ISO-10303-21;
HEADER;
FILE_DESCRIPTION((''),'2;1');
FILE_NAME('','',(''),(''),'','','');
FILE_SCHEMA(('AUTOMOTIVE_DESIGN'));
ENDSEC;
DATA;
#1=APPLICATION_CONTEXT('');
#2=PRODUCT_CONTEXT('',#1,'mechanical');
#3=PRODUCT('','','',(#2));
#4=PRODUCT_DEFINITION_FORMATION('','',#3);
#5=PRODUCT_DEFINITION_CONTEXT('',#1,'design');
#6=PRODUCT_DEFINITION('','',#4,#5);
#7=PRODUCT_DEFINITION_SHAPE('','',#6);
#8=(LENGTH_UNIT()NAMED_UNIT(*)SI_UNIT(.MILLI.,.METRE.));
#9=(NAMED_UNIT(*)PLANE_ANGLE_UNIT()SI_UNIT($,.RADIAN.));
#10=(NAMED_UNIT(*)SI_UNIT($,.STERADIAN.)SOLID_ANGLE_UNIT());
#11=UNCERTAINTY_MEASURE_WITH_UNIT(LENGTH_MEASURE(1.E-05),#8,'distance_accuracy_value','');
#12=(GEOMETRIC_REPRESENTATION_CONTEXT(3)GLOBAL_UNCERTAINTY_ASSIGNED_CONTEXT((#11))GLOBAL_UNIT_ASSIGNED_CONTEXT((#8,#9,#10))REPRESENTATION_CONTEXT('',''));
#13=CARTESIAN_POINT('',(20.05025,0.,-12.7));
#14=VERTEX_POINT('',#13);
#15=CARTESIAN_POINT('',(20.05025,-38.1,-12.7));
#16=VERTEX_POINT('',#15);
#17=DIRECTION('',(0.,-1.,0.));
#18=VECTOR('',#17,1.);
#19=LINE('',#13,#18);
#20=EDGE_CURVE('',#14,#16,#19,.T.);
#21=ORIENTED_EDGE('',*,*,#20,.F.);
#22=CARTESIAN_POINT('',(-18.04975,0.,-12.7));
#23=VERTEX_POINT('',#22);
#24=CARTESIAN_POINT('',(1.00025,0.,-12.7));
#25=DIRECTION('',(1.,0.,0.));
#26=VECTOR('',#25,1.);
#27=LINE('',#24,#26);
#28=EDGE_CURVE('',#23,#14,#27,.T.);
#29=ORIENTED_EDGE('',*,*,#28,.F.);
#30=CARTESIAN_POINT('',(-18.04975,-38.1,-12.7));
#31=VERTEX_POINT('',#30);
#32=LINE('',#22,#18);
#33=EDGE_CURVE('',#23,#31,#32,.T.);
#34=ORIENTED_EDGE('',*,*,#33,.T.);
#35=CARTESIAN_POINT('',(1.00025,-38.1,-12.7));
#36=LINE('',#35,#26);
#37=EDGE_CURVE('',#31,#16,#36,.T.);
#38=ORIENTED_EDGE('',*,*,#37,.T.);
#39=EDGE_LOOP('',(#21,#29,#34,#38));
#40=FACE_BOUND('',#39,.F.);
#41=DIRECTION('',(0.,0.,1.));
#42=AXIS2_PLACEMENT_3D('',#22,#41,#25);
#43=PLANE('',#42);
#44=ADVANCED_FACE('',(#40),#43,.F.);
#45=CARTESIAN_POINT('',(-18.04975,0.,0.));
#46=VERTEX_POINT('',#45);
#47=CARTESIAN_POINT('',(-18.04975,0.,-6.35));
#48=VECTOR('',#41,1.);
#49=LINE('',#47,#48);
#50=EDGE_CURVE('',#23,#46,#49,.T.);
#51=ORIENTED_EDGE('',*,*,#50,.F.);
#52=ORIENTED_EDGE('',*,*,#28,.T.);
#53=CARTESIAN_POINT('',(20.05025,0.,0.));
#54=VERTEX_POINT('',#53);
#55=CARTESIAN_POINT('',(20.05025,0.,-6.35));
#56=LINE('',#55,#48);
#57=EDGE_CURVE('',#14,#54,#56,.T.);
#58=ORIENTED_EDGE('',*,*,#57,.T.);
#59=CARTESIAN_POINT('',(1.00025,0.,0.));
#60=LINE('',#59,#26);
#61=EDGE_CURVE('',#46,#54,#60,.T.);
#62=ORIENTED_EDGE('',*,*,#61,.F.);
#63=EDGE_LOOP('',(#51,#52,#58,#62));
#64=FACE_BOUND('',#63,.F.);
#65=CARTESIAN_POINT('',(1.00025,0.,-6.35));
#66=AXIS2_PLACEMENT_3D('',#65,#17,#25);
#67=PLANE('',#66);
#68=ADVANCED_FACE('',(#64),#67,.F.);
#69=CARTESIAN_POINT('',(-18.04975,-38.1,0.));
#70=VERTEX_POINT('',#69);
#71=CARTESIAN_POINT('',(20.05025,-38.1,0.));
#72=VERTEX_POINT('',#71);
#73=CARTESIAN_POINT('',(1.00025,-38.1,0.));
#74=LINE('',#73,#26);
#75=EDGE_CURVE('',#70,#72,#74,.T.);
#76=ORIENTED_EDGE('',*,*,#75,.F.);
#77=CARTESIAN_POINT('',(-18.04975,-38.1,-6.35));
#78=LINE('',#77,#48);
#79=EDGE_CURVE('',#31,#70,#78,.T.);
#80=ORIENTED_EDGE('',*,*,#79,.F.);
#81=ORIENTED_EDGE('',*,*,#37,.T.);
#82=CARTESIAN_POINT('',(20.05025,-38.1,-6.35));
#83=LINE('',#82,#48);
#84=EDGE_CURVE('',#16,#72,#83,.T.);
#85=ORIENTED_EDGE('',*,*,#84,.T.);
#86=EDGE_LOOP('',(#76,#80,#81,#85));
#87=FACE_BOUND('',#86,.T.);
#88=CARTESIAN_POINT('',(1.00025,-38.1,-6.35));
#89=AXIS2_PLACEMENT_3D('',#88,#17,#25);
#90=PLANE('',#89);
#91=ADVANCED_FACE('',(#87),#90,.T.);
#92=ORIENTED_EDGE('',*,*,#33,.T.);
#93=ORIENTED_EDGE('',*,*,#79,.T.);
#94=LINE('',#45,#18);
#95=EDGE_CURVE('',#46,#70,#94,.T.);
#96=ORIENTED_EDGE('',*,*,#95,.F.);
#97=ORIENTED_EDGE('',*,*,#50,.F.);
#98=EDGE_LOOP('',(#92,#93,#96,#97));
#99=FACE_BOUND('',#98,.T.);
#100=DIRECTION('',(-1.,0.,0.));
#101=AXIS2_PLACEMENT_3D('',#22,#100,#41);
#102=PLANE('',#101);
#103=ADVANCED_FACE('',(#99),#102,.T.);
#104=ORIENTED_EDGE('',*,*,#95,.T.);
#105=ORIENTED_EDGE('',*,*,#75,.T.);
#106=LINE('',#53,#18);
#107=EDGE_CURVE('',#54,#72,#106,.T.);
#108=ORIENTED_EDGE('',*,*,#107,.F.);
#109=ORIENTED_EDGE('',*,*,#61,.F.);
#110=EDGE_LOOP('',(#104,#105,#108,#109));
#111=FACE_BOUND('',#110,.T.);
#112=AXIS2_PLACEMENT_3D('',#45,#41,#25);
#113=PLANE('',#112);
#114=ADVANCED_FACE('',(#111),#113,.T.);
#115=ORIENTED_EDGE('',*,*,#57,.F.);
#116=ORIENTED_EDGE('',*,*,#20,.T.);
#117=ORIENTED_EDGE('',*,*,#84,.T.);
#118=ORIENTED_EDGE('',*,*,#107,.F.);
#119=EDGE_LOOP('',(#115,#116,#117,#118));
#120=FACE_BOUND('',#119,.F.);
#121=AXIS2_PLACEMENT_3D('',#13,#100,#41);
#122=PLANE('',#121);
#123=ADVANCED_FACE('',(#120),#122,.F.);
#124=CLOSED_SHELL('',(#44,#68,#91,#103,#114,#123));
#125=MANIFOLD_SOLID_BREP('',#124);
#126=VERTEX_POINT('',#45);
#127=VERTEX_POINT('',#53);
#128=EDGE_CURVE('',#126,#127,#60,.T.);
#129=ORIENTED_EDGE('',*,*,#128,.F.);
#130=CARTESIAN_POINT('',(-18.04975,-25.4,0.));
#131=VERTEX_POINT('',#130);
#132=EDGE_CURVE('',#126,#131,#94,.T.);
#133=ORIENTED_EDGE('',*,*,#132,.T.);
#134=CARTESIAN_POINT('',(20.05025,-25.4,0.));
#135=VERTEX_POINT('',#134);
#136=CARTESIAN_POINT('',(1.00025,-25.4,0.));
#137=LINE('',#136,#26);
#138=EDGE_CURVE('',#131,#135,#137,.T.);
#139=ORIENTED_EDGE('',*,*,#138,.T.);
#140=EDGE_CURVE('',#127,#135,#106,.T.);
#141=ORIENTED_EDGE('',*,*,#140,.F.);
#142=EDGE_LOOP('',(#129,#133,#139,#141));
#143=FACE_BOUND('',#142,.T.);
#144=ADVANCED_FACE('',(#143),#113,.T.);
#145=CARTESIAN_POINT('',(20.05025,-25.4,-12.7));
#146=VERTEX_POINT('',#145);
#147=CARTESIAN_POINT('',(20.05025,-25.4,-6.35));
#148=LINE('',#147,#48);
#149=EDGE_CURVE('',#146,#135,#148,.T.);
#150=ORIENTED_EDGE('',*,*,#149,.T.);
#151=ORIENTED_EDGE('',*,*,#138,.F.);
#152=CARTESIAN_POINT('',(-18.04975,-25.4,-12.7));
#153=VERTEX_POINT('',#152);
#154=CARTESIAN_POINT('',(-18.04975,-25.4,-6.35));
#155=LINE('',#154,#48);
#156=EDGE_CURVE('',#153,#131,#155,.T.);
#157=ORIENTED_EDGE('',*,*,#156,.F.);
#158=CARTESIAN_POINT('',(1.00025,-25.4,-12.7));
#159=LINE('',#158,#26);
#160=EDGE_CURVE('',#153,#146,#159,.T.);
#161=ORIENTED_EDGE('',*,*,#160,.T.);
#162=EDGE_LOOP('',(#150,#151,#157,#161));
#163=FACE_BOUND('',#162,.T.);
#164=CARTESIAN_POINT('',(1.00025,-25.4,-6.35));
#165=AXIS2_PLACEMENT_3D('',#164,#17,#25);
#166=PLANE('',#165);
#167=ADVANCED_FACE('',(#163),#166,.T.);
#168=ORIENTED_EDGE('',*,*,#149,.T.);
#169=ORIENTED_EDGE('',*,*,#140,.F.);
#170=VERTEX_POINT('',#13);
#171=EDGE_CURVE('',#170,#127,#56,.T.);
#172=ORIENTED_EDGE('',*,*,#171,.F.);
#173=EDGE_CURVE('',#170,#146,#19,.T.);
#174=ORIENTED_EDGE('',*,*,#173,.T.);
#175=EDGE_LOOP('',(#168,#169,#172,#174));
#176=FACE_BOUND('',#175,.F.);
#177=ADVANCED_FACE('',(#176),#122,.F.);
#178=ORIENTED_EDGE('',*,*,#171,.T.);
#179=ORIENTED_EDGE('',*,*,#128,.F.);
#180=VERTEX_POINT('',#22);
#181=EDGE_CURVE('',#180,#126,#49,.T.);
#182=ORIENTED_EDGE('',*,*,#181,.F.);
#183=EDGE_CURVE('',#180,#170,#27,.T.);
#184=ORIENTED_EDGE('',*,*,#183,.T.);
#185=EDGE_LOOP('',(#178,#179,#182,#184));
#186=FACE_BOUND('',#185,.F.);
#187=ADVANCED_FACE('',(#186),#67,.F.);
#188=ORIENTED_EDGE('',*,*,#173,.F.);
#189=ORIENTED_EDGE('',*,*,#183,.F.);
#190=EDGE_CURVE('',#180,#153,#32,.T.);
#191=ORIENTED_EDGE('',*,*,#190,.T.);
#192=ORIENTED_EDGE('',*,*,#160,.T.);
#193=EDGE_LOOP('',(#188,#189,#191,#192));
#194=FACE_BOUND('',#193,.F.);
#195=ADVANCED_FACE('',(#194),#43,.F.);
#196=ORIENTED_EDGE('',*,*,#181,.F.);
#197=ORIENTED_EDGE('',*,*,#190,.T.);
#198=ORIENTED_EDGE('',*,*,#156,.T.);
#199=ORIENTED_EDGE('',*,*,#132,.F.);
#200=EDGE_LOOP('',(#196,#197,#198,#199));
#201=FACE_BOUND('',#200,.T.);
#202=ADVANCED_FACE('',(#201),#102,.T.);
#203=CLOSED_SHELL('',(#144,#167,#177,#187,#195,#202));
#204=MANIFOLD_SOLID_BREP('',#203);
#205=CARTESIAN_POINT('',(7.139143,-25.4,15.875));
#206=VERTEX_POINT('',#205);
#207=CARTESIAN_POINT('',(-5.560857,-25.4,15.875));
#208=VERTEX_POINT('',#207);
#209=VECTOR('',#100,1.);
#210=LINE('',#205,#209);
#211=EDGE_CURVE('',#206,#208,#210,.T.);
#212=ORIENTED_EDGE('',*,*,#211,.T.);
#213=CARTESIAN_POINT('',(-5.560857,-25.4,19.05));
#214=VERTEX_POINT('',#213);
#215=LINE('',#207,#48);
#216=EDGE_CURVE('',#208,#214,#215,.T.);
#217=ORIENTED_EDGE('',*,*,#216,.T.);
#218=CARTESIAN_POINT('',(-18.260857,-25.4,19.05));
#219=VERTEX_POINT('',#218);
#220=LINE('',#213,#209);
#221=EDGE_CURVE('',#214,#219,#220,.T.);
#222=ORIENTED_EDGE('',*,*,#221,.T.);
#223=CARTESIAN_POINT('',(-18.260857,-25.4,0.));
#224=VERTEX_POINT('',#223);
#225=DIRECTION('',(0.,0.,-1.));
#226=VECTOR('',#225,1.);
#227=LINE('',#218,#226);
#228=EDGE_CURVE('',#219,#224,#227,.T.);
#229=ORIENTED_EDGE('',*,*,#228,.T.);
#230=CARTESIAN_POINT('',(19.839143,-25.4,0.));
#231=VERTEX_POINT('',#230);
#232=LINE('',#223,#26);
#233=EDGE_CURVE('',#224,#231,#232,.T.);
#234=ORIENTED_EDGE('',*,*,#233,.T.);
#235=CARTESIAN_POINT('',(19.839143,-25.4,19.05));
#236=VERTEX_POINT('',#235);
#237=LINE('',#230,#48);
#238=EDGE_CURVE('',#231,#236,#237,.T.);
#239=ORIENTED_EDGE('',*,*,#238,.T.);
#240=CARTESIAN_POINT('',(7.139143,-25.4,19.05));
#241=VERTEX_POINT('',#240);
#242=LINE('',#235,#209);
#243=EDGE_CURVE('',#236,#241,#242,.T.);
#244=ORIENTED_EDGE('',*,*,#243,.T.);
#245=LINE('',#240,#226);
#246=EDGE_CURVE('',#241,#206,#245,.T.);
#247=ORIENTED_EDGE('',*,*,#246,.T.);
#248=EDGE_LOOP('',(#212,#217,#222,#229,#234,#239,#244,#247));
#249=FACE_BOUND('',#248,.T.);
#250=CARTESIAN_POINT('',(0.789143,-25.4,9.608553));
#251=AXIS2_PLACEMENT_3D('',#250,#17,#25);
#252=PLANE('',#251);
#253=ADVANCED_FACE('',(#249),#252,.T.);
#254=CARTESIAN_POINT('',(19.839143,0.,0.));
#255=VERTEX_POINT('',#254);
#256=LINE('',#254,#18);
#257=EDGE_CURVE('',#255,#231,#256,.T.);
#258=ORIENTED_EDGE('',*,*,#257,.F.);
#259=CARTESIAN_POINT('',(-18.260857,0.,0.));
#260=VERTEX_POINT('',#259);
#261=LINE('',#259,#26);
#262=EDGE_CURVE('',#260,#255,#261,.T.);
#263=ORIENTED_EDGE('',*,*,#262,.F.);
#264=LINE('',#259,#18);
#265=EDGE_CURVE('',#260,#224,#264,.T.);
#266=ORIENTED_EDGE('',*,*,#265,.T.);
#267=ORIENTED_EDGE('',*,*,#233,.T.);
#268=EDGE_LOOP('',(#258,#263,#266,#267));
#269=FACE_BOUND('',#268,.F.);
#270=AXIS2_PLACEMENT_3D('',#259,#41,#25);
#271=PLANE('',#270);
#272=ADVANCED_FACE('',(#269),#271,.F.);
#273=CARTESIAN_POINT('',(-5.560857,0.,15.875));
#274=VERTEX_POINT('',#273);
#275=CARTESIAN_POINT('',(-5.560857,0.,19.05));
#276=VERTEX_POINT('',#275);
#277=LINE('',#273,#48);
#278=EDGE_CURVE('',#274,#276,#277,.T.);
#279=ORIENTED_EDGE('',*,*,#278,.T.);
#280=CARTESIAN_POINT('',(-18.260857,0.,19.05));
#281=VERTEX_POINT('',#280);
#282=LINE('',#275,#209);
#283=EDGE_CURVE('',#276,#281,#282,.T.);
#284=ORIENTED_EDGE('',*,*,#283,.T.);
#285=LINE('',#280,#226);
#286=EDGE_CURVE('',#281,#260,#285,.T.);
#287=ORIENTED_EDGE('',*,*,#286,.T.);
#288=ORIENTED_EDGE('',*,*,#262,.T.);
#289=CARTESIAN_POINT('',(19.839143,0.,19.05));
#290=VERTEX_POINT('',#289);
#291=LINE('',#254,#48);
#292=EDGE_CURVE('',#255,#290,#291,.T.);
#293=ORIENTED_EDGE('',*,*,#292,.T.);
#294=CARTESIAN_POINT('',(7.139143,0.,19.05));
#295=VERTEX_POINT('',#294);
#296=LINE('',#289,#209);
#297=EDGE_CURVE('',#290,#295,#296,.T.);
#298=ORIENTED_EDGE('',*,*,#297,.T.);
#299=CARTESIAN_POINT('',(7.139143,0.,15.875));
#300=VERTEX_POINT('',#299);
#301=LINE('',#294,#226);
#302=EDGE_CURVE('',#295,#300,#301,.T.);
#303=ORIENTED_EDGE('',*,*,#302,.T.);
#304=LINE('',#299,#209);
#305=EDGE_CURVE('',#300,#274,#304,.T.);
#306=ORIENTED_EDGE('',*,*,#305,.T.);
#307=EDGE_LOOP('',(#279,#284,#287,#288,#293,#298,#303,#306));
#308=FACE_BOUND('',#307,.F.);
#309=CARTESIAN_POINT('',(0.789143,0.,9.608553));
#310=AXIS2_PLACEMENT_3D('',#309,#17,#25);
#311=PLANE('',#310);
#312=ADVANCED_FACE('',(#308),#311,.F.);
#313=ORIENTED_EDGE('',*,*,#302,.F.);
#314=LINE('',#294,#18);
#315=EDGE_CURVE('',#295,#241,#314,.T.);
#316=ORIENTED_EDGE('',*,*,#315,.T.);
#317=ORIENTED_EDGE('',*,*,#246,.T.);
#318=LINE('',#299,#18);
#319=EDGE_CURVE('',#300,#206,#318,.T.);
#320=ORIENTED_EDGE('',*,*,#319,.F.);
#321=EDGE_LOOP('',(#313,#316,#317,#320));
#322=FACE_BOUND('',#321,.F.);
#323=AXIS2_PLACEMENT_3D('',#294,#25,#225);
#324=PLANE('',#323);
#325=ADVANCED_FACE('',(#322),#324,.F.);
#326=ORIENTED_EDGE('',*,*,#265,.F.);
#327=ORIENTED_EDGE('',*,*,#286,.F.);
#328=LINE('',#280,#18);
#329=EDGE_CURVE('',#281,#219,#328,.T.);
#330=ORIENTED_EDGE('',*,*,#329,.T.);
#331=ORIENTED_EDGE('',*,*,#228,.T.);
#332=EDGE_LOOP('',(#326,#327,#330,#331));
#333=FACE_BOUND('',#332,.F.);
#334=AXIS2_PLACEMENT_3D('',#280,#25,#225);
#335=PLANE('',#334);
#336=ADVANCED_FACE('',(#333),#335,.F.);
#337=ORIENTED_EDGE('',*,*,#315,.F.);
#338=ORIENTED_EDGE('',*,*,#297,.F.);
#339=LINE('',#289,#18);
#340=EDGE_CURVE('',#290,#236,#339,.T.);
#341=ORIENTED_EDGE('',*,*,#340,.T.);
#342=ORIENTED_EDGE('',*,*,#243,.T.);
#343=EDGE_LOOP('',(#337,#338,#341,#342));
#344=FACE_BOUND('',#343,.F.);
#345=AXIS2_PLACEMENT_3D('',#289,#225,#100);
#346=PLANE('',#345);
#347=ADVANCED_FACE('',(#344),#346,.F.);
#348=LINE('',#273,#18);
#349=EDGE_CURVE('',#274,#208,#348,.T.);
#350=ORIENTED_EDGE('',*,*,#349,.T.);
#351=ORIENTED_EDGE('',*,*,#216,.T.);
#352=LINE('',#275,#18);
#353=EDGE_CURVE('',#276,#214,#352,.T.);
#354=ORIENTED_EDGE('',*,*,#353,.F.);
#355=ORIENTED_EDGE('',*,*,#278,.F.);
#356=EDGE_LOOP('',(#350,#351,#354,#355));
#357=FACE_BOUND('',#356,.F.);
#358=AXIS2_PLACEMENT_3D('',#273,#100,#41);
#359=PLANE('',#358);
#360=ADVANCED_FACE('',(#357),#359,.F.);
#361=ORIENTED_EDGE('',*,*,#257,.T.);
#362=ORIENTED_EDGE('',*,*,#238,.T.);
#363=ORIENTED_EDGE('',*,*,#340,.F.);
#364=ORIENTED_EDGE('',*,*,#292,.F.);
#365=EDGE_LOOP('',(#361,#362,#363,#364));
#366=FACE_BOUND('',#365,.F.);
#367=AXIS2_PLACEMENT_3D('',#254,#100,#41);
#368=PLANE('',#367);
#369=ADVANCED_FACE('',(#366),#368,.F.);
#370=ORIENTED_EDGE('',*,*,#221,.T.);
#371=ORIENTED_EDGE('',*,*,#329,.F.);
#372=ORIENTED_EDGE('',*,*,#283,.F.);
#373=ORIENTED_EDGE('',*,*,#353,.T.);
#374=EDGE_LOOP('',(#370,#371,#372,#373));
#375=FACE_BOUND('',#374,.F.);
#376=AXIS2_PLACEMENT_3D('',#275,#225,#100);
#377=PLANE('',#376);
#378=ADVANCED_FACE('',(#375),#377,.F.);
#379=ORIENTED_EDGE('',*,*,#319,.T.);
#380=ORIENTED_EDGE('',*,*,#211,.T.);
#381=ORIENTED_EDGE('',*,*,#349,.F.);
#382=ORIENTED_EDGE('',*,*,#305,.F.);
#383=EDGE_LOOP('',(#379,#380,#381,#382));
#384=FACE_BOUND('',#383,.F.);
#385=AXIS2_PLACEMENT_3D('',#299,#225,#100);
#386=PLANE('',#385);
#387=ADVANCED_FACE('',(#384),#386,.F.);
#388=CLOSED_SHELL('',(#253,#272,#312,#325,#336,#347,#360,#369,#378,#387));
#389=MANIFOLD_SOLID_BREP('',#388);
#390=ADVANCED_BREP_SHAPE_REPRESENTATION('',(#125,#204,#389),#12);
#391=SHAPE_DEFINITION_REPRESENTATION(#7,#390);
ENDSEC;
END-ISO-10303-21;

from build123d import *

# Parameters (mm, degrees)
F2_DEPTH = 25.4
F1_W     = 38.1
F1_H     = 12.7
F3_DEPTH = 38.1


with BuildPart() as f2:
    # F0 (on Front) → F2 (new body)
    with BuildSketch(Plane.XZ):
        Polygon((-5.5608570904, 19.05), (-18.2608570904, 19.05), (-18.2608570904, 0), (19.8391429096, 0), (19.8391429096, 19.05), (7.1391429096, 19.05), (7.1391429096, 15.875), (-5.5608570904, 15.875), align=None)
    extrude(amount=F2_DEPTH)


with BuildPart() as f2b:
    # F1 (on Front) → F2, piece 2 (new body)
    with BuildSketch(Plane.XZ):
        with Locations((1.0002495229, -6.35)):
            Rectangle(F1_W, F1_H)
    extrude(amount=F2_DEPTH)


with BuildPart() as f3:
    # F1 (on Front) → F3 (new body)
    with BuildSketch(Plane.XZ):
        with Locations((1.0002495229, -6.35)):
            Rectangle(F1_W, F1_H)
    extrude(amount=F3_DEPTH)


solid = Compound([f2.part, f2b.part, f3.part])
